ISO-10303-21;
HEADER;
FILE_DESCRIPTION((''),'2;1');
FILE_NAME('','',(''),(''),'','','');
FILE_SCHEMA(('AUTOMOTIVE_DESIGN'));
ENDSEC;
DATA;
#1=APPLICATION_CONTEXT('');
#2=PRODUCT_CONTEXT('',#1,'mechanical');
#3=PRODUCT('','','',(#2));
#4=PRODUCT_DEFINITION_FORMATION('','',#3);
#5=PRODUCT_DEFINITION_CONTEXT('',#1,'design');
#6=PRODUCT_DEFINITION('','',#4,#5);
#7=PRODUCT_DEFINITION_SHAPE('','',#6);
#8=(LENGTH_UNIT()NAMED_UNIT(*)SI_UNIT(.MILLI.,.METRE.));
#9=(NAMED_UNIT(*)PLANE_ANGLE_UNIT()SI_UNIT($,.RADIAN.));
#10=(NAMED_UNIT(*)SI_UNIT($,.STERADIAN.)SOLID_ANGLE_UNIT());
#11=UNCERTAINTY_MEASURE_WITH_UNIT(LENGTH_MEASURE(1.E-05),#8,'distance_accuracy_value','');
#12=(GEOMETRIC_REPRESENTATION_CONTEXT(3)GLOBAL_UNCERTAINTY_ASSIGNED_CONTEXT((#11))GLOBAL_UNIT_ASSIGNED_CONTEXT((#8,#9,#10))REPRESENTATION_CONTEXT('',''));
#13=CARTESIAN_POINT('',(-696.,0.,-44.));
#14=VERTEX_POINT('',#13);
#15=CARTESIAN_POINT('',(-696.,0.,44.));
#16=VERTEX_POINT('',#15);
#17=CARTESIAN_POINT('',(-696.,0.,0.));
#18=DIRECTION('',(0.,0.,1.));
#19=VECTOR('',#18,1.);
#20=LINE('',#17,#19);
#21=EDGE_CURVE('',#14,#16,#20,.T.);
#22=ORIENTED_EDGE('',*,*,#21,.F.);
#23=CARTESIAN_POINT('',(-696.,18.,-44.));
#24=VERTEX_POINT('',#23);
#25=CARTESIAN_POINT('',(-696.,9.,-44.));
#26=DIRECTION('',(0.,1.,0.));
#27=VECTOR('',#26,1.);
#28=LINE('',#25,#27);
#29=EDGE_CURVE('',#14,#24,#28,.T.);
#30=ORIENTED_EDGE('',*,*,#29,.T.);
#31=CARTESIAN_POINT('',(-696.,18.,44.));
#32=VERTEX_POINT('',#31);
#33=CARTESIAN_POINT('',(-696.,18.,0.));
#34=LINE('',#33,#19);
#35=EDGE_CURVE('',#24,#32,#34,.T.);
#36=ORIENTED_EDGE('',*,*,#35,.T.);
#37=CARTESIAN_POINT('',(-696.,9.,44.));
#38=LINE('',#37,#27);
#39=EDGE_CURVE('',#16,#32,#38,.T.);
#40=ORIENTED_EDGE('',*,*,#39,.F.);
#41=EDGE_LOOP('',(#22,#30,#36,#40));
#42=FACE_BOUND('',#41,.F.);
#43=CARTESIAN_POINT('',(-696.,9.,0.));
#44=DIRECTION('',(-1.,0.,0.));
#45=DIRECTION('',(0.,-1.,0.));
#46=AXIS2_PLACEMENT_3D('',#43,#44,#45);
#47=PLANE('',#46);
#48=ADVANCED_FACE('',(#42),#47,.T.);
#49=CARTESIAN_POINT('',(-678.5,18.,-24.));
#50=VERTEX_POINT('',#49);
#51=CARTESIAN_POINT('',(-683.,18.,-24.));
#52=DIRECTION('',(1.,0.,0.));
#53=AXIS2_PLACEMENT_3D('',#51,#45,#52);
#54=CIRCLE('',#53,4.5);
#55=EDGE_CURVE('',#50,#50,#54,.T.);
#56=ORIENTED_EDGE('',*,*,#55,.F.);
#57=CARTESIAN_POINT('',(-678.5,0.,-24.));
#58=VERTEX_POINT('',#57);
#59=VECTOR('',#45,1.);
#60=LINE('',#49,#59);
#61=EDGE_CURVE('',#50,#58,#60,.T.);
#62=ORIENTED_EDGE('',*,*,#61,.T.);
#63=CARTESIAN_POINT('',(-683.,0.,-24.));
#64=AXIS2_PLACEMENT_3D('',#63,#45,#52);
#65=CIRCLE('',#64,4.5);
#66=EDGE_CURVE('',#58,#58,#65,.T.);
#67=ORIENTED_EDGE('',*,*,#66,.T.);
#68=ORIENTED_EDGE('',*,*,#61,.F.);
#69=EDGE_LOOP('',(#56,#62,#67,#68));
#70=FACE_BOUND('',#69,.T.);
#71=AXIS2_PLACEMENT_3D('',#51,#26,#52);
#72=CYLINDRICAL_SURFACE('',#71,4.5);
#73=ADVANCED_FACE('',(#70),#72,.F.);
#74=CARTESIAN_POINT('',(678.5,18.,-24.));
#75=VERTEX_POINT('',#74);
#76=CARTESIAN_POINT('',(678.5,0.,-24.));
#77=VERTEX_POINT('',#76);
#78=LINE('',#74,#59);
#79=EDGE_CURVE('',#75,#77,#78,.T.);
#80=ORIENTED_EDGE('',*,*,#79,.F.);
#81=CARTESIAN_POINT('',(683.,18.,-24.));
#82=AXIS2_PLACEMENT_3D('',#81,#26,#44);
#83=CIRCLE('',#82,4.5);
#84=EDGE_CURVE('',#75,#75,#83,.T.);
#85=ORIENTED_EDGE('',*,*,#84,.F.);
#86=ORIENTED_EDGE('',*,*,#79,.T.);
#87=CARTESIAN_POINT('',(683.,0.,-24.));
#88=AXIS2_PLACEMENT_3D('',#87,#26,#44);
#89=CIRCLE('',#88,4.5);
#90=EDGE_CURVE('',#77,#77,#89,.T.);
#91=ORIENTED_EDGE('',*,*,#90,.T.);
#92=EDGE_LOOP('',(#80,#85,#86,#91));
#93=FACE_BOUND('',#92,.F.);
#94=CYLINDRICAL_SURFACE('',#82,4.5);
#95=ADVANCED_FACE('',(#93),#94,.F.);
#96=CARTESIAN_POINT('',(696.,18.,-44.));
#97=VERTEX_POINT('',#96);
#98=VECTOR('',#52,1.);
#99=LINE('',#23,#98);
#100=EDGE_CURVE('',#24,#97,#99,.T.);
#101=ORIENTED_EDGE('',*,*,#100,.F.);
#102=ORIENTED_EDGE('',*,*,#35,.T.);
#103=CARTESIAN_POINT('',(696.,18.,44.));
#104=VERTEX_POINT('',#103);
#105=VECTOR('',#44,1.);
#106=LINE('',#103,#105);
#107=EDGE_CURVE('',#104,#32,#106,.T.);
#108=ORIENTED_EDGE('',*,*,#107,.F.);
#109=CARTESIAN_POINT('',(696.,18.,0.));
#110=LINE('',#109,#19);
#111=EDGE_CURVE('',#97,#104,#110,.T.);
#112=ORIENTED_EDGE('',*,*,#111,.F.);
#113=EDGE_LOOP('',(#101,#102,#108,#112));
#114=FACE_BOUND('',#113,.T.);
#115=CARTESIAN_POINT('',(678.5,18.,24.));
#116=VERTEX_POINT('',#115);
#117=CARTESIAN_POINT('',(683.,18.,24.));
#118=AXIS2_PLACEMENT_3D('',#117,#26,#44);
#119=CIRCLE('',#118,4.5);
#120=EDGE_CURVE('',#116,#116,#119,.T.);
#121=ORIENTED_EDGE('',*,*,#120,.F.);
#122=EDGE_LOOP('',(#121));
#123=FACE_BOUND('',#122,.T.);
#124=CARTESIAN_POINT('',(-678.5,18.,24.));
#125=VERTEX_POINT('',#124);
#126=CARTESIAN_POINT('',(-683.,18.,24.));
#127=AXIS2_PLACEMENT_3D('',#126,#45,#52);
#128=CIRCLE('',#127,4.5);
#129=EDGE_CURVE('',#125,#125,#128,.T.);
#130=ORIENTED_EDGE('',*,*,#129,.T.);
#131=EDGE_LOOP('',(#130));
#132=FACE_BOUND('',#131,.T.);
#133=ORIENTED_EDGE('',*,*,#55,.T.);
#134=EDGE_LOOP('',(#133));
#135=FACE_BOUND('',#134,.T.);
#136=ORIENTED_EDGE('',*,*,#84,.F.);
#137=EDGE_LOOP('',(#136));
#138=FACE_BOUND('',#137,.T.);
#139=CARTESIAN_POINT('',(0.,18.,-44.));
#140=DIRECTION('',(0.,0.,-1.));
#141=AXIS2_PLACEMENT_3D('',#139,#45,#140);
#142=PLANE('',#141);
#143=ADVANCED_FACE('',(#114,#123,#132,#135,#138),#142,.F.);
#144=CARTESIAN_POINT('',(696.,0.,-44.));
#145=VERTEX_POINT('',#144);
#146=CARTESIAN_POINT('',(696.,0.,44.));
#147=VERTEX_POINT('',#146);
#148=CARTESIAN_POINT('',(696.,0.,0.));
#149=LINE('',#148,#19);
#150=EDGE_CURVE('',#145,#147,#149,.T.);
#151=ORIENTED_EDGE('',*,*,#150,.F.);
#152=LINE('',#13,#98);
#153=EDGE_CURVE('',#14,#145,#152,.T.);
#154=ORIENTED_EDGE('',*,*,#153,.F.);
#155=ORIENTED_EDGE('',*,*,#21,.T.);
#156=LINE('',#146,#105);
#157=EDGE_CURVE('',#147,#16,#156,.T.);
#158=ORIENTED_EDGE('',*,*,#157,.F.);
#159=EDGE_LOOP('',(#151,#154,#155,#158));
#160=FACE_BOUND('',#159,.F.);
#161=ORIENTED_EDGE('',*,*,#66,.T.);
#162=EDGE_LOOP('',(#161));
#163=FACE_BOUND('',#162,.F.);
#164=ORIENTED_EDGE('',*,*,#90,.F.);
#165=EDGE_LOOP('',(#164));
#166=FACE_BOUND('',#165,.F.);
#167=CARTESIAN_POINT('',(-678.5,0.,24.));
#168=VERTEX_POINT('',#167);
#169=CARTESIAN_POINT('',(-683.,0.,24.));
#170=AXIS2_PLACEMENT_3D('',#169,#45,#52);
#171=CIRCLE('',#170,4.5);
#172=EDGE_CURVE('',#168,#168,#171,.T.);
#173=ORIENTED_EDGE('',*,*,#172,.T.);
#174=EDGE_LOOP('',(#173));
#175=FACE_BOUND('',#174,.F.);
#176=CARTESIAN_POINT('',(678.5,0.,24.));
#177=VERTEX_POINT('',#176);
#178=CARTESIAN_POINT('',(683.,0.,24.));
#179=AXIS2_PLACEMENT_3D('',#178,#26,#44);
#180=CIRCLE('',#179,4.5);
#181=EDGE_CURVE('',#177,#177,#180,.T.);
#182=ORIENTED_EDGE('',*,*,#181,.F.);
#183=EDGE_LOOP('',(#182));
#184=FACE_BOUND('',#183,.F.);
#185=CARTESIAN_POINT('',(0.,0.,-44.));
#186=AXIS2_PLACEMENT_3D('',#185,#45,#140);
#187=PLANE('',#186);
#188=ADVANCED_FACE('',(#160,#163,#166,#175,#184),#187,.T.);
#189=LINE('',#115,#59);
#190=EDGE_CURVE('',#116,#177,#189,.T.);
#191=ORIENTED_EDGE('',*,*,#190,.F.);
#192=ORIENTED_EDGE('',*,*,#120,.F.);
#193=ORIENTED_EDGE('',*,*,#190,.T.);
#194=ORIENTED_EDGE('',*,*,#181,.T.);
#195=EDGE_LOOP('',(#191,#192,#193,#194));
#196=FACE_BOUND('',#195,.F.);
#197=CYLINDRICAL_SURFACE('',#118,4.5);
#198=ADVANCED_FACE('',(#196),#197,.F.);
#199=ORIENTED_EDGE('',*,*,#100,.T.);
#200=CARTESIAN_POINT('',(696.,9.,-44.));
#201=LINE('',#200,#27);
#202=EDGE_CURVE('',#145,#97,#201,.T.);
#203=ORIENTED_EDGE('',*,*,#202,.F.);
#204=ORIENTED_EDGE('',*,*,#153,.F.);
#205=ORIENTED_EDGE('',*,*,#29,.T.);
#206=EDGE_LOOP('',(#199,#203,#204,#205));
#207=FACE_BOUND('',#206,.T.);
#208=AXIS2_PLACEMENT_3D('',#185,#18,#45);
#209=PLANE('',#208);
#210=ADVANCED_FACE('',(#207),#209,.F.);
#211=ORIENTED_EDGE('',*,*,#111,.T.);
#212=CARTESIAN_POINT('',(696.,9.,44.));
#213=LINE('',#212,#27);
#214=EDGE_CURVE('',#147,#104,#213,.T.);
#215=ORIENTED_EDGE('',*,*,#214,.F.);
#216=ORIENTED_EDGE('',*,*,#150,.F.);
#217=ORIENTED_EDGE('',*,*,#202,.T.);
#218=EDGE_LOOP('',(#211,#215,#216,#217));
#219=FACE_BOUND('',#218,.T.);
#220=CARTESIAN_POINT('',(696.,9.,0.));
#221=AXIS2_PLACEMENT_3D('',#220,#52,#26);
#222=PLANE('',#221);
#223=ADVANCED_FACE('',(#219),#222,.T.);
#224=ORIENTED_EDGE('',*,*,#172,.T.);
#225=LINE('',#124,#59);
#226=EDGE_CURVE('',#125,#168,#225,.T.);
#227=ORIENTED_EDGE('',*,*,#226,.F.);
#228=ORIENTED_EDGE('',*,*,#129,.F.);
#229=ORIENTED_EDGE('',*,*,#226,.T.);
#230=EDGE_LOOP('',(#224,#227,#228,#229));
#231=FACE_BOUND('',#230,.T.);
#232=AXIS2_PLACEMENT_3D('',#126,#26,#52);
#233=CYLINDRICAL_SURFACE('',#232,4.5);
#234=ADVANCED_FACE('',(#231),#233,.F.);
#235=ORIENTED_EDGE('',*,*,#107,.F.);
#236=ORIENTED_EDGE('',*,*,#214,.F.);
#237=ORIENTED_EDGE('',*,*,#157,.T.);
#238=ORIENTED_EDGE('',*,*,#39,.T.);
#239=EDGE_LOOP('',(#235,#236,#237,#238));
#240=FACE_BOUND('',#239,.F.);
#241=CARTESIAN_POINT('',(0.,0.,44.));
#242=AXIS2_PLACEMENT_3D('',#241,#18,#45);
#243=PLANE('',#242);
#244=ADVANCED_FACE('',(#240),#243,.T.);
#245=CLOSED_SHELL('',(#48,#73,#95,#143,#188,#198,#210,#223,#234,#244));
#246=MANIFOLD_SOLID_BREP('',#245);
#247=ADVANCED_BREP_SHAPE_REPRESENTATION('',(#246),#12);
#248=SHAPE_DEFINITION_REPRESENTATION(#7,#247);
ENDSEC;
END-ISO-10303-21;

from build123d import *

# Parameters (mm, degrees)
F0_W     = 18
F0_H     = 88
F1_DEPTH = 696
F2_R     = 4.5
F3_DEPTH = 18.001


with BuildPart() as f1:
    # F0 (on Right) → F1 (new body)
    with BuildSketch(Plane.YZ):
        with Locations((9, 0)):
            Rectangle(F0_W, F0_H)
    extrude(amount=F1_DEPTH)

    # F2 (on face) → F3 (cut, through all)
    with BuildSketch(Plane(origin=(0, 18, 0), x_dir=(-1, 0, 0), z_dir=(0, 1, 0))):
        with Locations((-683, 24)):
            Circle(F2_R)
        with Locations((-683, -24)):
            Circle(F2_R)
    extrude(amount=-F3_DEPTH, mode=Mode.SUBTRACT)

    # F4: F1 across plane


with BuildPart() as f1_1:
    add(f1.part)
    add(f1.part.mirror(Plane.YZ))


solid = f1_1.part
